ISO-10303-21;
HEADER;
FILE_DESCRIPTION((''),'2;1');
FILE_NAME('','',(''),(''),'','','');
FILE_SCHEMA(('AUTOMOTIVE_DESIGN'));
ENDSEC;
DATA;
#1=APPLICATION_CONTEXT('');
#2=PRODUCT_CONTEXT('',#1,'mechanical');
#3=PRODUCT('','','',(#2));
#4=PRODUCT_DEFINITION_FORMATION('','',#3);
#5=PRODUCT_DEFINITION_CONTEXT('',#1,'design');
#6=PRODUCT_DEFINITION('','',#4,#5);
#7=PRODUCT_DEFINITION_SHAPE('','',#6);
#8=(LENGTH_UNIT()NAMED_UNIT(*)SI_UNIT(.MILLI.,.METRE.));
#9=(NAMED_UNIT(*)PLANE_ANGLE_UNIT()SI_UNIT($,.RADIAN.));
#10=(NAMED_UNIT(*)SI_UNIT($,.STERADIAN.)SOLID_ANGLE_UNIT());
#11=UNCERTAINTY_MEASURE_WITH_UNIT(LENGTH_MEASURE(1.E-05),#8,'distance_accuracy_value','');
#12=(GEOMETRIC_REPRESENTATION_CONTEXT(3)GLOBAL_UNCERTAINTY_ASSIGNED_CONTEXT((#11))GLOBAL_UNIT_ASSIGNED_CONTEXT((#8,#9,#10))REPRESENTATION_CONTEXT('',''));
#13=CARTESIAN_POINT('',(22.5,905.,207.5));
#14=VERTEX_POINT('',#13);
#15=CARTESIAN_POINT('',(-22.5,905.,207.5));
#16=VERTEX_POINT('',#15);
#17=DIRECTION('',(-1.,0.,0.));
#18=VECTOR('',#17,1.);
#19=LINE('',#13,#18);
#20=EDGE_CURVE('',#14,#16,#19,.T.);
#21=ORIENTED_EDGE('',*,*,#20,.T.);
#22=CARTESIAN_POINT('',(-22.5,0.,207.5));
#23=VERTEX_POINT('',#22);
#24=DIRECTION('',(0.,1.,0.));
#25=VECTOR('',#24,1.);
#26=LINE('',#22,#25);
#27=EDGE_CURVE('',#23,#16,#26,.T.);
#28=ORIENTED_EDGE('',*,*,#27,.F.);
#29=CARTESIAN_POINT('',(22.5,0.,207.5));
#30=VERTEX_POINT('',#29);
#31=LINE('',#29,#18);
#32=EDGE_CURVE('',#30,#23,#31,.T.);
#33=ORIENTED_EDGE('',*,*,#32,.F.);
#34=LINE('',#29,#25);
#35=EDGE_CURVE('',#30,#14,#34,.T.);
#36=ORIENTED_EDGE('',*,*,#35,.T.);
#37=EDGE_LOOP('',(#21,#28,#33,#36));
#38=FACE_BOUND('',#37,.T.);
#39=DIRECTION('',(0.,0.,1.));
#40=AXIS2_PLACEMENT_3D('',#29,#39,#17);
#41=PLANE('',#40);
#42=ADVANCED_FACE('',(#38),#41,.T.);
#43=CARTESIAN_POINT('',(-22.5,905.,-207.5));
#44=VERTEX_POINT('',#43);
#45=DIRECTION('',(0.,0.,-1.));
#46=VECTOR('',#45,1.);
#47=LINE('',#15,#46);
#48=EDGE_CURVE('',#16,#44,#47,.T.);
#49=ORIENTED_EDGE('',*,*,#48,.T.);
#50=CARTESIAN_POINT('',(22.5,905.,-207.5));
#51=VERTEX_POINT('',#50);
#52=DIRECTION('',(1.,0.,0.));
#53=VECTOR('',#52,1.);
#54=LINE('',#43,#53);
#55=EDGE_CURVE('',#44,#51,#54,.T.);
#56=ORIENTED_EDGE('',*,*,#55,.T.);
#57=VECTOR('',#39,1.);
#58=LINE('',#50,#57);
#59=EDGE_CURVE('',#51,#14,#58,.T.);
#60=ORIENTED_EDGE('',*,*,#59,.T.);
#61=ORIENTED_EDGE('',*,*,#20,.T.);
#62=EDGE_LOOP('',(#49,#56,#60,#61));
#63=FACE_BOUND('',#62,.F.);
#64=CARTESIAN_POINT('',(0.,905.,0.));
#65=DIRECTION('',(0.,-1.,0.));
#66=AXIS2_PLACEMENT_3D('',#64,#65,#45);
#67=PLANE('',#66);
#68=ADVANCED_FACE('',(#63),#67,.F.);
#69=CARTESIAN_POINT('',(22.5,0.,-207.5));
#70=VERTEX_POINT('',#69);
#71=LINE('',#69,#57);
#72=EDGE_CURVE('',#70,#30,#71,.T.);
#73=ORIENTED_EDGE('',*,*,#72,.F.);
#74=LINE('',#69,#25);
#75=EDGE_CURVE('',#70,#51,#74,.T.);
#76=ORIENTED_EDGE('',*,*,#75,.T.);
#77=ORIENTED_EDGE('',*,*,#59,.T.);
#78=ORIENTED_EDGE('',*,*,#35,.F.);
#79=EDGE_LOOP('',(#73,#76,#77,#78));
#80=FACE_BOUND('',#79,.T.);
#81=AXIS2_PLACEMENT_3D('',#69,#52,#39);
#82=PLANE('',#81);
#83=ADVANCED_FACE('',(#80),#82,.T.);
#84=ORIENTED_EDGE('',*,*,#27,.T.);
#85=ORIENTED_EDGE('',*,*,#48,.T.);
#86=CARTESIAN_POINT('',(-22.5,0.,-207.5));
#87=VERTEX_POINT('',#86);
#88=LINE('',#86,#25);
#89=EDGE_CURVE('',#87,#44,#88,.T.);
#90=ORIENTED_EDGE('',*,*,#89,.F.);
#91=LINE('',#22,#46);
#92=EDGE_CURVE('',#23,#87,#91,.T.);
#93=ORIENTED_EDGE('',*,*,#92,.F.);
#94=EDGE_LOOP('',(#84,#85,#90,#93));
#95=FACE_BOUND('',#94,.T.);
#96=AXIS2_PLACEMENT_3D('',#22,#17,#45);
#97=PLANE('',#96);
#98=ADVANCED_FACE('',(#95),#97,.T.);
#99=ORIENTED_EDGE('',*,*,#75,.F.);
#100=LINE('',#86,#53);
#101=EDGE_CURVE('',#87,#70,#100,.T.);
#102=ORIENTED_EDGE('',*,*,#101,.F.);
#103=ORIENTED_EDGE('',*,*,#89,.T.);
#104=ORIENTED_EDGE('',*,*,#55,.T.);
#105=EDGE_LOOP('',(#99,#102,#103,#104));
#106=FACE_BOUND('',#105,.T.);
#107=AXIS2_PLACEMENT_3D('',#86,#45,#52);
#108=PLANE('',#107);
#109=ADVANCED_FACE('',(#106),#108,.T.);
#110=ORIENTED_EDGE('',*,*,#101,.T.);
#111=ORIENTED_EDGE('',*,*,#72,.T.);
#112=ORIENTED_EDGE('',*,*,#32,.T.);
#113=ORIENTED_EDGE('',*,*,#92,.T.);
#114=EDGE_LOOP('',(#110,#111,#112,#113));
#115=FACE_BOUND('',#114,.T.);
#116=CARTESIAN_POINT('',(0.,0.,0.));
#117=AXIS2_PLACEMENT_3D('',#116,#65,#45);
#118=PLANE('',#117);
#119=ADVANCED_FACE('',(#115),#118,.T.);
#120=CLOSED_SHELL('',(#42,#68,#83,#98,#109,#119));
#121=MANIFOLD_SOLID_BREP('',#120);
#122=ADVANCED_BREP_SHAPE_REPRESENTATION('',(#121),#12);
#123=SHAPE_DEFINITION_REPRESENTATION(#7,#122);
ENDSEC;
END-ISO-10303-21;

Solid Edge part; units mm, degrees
sketch "Sketch1" plane through (0, 0, 0) normal (0, -1, 0) x (1, 0, 0)
  line L0 (-22.5, -207.5) -> (22.5, -207.5)
  line L1 (22.5, -207.5) -> (22.5, 207.5)
  line L2 (22.5, 207.5) -> (-22.5, 207.5)
  line L3 (-22.5, 207.5) -> (-22.5, -207.5)
extrude "Protrusion1" add sketch "Sketch1" against normal blind 905
